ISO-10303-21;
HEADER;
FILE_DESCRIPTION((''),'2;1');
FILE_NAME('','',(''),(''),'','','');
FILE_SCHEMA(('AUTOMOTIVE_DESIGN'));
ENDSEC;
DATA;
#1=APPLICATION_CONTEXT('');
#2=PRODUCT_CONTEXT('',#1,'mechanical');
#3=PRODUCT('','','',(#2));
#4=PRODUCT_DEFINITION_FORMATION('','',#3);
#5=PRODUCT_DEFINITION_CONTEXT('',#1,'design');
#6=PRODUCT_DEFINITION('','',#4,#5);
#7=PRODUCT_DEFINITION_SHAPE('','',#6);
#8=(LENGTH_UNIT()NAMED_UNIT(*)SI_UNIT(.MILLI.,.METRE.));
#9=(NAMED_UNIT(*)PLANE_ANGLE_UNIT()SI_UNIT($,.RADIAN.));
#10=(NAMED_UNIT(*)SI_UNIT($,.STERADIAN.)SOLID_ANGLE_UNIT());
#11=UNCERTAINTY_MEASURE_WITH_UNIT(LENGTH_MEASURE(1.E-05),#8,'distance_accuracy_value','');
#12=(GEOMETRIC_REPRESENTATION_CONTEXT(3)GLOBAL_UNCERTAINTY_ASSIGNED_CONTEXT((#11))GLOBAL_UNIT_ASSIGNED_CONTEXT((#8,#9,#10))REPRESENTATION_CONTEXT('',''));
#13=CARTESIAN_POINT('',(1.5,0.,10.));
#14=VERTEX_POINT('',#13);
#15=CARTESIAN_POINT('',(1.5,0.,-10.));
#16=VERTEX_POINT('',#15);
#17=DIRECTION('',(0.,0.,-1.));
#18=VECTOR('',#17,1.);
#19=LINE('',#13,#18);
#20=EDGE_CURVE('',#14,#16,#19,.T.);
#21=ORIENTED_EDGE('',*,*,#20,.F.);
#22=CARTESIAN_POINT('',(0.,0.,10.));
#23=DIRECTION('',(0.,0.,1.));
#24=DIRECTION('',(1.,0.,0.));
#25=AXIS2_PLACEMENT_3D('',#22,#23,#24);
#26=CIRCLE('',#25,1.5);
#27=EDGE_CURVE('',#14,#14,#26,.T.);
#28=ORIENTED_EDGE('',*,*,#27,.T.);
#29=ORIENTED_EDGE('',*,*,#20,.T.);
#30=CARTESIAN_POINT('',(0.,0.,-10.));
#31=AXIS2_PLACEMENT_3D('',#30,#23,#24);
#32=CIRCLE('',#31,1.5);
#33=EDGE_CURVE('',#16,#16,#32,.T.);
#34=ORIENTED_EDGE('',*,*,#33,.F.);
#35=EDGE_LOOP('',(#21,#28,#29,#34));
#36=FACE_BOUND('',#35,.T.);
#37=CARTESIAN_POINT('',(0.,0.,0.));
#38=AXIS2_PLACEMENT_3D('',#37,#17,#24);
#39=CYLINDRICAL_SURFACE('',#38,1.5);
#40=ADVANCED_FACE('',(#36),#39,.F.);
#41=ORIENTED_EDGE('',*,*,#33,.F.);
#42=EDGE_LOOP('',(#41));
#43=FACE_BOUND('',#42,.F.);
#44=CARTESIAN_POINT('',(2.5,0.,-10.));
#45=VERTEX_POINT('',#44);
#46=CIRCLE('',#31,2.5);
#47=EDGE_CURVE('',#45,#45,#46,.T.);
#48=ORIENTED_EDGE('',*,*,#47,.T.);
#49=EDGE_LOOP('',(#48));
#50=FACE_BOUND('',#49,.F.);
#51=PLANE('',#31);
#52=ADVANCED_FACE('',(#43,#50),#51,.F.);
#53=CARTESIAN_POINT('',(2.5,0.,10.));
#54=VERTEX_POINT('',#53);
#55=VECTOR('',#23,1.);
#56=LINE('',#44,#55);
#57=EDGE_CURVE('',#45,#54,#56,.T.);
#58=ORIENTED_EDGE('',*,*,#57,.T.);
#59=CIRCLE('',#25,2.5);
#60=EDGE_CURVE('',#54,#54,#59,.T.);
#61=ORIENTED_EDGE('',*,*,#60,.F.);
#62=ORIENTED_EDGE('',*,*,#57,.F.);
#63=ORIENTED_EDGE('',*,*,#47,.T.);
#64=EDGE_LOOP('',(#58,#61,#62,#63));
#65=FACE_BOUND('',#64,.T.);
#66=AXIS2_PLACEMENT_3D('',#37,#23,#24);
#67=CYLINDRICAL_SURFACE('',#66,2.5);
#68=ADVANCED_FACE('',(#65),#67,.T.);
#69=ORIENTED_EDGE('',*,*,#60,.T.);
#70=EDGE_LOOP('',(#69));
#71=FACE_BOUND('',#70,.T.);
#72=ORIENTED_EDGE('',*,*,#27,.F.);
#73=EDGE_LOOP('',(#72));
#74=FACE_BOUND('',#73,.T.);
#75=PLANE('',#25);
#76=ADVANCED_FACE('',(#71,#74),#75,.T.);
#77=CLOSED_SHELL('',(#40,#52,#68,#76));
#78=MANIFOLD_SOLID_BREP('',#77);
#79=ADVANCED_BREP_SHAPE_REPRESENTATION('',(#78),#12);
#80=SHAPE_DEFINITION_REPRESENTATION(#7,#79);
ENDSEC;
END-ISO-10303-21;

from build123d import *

# Parameters (mm, degrees)
SKETCH_1_R      = 2.5
SKETCH_1_R_2    = 1.5
EXTRUDE_1_DEPTH = 10


with BuildPart() as part:
    # 草图1 → 凸台-拉伸1 (new body, symmetric)
    with BuildSketch(Plane.XY):
        Circle(SKETCH_1_R)
        Circle(SKETCH_1_R_2, mode=Mode.SUBTRACT)
    extrude(amount=EXTRUDE_1_DEPTH, both=True)


solid = part.part
